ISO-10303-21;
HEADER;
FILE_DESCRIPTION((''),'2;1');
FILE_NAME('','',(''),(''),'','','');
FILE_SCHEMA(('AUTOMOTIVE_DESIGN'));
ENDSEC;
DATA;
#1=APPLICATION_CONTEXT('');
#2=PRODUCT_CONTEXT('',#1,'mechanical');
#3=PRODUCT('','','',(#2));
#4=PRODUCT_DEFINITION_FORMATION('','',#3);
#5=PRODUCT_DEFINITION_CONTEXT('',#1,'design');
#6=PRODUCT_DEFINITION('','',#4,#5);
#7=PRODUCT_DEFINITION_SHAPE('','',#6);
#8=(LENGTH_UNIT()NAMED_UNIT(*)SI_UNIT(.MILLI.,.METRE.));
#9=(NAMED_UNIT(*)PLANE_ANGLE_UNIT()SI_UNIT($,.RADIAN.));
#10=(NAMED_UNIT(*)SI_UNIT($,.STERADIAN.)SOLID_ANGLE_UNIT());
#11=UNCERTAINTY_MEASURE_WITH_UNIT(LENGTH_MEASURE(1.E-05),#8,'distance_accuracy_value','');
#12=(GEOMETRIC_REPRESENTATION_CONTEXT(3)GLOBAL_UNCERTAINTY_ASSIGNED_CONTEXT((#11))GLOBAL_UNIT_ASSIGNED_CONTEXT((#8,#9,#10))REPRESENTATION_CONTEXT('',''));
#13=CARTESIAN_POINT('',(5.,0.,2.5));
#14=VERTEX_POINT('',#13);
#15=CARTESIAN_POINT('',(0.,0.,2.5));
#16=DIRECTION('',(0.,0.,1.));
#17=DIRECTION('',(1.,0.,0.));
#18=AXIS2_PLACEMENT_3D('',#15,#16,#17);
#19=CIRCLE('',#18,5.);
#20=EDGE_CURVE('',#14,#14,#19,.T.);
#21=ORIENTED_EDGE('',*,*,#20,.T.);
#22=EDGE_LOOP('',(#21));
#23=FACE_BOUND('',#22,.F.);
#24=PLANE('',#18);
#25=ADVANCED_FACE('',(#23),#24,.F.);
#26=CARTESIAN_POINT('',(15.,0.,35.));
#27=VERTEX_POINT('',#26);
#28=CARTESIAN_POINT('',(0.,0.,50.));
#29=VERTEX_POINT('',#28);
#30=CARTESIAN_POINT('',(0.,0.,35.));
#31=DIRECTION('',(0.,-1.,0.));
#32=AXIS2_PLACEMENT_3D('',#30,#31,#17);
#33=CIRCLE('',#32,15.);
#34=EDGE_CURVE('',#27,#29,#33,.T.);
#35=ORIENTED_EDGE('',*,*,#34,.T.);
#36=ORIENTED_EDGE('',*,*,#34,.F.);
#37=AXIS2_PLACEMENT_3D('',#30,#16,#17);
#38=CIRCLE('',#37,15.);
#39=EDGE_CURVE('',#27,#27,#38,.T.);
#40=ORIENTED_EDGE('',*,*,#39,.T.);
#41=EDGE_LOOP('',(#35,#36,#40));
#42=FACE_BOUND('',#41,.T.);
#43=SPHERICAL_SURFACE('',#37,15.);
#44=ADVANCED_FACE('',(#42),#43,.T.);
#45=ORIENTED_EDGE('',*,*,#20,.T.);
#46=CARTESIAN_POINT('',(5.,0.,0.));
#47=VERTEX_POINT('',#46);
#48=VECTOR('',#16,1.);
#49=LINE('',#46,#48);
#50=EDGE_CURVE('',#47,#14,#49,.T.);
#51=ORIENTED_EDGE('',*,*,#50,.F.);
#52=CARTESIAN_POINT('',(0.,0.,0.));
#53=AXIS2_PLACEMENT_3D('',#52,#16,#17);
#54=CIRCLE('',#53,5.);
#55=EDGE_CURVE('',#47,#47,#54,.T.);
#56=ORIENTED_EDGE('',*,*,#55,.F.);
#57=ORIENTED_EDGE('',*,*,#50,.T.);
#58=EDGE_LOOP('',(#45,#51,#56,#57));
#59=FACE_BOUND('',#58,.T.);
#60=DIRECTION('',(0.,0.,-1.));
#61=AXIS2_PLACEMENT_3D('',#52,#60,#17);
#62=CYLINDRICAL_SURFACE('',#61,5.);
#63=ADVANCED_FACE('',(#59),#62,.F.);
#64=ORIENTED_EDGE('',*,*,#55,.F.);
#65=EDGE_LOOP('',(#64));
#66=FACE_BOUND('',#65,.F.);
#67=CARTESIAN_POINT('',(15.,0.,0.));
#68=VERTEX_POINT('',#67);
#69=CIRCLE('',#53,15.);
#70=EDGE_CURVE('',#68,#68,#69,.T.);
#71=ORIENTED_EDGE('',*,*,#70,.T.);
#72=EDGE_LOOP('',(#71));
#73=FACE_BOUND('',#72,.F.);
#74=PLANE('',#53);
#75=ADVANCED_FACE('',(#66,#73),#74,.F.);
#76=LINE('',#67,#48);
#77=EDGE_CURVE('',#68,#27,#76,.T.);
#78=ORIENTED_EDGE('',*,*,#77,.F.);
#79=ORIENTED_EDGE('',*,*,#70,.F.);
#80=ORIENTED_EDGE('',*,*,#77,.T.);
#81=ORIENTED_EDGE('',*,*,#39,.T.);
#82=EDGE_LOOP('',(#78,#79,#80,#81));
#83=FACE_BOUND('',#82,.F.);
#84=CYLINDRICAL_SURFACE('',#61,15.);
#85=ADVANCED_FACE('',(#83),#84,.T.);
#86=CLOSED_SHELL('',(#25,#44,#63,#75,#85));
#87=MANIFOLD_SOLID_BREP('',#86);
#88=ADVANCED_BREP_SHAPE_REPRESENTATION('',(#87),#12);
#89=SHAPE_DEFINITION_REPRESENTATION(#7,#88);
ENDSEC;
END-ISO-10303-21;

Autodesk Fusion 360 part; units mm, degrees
sketch "Esquisse1" plane through (0, 0, 0) normal (0, 0, 1) x (1, 0, 0)
  circle A0 centre (0, 0) radius 15
  dimension "d1" = 30
extrude "Extrusion1" add sketch "Esquisse1" along normal blind 50
fillet "Congé1" radius 15 1 faces at (3.6653, 3.4009, 50)
sketch "Esquisse2" plane through (0, 0, 0) normal (0, 0, 1) x (1, 0, 0)
  circle A0 centre (0, 0) radius 5
  dimension "d6" = 10
extrude "Extrusion2" cut sketch "Esquisse2" along normal blind 2.5
